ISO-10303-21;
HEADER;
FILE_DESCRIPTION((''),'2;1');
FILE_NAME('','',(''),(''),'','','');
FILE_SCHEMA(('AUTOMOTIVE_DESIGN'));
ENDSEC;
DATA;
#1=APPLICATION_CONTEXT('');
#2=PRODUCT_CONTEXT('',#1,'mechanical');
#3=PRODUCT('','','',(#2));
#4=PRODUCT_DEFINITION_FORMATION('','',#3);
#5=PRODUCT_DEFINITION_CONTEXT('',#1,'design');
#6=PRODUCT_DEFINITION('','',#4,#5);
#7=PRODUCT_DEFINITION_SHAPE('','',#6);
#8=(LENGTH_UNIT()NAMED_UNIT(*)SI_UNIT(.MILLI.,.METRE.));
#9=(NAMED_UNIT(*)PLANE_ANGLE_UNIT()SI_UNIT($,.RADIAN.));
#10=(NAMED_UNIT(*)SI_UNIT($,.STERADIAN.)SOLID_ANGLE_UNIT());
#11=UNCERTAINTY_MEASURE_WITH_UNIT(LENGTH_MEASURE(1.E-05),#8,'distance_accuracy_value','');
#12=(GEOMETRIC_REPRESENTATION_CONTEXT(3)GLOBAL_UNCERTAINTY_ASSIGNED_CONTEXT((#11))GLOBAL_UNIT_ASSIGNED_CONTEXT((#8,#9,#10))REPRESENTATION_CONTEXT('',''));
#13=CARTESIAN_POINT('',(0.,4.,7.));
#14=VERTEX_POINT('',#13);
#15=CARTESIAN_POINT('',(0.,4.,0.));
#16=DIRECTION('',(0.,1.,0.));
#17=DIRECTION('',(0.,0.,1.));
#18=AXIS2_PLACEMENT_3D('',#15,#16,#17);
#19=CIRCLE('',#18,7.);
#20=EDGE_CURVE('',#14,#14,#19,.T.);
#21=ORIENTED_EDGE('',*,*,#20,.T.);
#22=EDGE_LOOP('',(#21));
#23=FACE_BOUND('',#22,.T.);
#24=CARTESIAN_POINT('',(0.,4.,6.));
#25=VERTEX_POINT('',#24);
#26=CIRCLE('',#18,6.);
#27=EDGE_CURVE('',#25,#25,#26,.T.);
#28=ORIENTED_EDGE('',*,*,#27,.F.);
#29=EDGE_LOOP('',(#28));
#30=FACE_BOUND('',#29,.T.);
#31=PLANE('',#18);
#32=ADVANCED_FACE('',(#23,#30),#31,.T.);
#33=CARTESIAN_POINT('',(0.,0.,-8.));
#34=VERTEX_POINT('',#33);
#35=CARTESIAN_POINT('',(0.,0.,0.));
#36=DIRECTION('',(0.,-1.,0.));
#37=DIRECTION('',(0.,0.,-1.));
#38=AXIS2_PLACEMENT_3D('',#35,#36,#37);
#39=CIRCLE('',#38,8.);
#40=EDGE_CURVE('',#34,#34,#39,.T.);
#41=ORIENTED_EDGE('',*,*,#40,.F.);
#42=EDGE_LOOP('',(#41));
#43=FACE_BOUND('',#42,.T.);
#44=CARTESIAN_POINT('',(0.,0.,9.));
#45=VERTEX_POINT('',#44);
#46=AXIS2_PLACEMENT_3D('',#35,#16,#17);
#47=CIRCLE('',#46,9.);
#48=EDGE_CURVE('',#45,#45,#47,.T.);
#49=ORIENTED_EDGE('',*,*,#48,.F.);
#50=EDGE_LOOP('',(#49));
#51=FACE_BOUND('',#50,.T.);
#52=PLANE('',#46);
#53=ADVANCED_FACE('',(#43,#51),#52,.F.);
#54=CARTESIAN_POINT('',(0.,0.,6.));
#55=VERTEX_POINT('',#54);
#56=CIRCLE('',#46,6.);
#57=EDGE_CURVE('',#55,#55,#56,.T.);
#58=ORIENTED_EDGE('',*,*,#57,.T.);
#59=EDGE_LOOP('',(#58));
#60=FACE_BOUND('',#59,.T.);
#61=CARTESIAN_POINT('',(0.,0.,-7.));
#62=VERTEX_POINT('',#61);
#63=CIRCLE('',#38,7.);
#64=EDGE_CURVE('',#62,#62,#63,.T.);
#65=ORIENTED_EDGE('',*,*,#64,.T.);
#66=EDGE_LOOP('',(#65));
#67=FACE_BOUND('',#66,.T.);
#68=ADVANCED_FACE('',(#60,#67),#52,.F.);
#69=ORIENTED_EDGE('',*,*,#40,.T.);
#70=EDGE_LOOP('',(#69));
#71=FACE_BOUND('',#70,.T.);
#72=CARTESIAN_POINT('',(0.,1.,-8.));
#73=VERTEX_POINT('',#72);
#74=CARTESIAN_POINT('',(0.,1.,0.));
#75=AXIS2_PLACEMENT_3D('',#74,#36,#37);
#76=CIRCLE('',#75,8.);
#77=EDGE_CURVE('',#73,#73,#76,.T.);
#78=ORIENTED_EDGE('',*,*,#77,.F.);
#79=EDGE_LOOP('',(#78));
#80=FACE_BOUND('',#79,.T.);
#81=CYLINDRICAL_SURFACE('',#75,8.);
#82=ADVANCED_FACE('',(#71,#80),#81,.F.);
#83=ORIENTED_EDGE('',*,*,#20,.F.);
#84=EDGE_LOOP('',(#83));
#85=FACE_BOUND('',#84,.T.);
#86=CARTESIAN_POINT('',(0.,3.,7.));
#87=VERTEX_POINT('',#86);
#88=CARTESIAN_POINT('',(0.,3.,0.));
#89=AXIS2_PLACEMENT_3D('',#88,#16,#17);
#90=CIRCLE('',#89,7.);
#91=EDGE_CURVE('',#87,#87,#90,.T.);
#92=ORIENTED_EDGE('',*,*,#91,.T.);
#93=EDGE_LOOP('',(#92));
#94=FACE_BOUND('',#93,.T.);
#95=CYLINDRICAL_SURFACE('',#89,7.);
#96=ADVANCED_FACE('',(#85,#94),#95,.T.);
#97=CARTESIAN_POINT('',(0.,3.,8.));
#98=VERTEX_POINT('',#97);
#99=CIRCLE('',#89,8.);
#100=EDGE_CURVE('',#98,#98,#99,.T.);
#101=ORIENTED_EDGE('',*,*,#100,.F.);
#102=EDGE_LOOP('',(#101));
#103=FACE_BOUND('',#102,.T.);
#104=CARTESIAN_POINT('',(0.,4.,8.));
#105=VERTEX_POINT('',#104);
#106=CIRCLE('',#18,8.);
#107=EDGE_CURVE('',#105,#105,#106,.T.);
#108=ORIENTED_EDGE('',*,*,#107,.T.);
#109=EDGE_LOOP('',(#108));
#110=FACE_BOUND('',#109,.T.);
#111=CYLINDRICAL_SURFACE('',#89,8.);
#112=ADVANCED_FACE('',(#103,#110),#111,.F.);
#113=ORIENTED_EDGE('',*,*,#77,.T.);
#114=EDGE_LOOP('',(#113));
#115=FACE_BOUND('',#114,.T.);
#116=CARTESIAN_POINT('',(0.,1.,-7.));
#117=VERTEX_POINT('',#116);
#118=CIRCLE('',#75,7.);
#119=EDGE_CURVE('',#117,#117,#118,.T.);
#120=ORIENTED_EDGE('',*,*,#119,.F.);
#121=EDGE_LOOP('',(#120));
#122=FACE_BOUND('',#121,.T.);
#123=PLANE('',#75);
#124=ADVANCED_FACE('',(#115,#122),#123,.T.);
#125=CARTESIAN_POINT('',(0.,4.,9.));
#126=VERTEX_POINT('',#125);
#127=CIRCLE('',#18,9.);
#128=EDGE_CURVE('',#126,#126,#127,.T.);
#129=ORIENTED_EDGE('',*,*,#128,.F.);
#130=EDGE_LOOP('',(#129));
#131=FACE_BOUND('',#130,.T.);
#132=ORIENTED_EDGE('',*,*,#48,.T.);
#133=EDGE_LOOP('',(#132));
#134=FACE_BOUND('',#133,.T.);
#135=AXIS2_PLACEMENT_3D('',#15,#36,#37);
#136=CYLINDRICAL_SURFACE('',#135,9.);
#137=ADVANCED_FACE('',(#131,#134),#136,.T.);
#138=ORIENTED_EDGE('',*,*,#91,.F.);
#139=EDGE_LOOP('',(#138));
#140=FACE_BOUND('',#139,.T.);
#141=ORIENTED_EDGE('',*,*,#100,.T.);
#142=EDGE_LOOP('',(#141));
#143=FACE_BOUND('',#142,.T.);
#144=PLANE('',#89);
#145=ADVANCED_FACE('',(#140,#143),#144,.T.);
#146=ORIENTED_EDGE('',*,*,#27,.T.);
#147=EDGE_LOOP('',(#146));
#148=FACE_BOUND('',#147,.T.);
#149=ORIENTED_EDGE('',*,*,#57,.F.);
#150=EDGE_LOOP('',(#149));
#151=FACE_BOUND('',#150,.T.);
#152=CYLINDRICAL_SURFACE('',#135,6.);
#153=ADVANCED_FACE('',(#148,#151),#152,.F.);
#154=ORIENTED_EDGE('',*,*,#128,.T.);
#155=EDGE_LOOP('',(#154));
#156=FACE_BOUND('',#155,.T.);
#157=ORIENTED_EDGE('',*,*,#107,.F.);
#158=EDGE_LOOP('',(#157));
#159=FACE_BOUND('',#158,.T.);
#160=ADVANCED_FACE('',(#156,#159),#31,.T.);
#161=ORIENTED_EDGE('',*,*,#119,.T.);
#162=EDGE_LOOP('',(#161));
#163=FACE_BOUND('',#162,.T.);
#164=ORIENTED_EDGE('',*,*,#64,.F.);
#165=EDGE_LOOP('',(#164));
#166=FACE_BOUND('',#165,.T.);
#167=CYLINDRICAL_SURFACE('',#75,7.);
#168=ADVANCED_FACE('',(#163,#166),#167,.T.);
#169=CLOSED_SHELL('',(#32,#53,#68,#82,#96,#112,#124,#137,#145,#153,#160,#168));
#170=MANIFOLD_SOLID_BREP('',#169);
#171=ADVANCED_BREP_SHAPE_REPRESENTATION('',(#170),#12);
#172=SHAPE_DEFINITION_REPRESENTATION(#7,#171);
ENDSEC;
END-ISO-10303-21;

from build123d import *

# Parameters (mm, degrees)
SKETCH1_R           = 9
SKETCH1_R_2         = 6
BOSS_EXTRUDE1_DEPTH = 4
SKETCH2_R           = 8
SKETCH2_R_2         = 7
CUT_EXTRUDE1_DEPTH  = 1
CUT_EXTRUDE2_START  = -1
SKETCH3_R           = 8
SKETCH3_R_2         = 7
CUT_EXTRUDE2_DEPTH  = 1


with BuildPart() as part:
    # Sketch1 → Boss-Extrude1 (new body)
    with BuildSketch(Plane(origin=(0, 0, 0), x_dir=(1, 0, 0), z_dir=(0, 1, 0))):
        with Locations(Location((0, 0, 0), (0, 0, 270))):
            Circle(SKETCH1_R)
        with Locations(Location((0, 0, 0), (0, 0, 270))):
            Circle(SKETCH1_R_2, mode=Mode.SUBTRACT)
    extrude(amount=BOSS_EXTRUDE1_DEPTH)

    # Sketch2 → Cut-Extrude1 (cut)
    with BuildSketch(Plane(origin=(0, 4, 0), x_dir=(1, 0, 0), z_dir=(0, 1, 0))):
        with Locations(Location((0, 0, 0), (0, 0, 270))):
            Circle(SKETCH2_R)
        with Locations(Location((0, 0, 0), (0, 0, 270))):
            Circle(SKETCH2_R_2, mode=Mode.SUBTRACT)
    extrude(amount=-CUT_EXTRUDE1_DEPTH, mode=Mode.SUBTRACT)

    # Sketch3 → Cut-Extrude2 (cut)
    with BuildSketch(Plane.XZ.offset(CUT_EXTRUDE2_START)):
        with Locations(Location((0, 0, 0), (0, 0, 90))):
            Circle(SKETCH3_R)
        with Locations(Location((0, 0, 0), (0, 0, 90))):
            Circle(SKETCH3_R_2, mode=Mode.SUBTRACT)
    extrude(amount=CUT_EXTRUDE2_DEPTH, mode=Mode.SUBTRACT)


solid = part.part
